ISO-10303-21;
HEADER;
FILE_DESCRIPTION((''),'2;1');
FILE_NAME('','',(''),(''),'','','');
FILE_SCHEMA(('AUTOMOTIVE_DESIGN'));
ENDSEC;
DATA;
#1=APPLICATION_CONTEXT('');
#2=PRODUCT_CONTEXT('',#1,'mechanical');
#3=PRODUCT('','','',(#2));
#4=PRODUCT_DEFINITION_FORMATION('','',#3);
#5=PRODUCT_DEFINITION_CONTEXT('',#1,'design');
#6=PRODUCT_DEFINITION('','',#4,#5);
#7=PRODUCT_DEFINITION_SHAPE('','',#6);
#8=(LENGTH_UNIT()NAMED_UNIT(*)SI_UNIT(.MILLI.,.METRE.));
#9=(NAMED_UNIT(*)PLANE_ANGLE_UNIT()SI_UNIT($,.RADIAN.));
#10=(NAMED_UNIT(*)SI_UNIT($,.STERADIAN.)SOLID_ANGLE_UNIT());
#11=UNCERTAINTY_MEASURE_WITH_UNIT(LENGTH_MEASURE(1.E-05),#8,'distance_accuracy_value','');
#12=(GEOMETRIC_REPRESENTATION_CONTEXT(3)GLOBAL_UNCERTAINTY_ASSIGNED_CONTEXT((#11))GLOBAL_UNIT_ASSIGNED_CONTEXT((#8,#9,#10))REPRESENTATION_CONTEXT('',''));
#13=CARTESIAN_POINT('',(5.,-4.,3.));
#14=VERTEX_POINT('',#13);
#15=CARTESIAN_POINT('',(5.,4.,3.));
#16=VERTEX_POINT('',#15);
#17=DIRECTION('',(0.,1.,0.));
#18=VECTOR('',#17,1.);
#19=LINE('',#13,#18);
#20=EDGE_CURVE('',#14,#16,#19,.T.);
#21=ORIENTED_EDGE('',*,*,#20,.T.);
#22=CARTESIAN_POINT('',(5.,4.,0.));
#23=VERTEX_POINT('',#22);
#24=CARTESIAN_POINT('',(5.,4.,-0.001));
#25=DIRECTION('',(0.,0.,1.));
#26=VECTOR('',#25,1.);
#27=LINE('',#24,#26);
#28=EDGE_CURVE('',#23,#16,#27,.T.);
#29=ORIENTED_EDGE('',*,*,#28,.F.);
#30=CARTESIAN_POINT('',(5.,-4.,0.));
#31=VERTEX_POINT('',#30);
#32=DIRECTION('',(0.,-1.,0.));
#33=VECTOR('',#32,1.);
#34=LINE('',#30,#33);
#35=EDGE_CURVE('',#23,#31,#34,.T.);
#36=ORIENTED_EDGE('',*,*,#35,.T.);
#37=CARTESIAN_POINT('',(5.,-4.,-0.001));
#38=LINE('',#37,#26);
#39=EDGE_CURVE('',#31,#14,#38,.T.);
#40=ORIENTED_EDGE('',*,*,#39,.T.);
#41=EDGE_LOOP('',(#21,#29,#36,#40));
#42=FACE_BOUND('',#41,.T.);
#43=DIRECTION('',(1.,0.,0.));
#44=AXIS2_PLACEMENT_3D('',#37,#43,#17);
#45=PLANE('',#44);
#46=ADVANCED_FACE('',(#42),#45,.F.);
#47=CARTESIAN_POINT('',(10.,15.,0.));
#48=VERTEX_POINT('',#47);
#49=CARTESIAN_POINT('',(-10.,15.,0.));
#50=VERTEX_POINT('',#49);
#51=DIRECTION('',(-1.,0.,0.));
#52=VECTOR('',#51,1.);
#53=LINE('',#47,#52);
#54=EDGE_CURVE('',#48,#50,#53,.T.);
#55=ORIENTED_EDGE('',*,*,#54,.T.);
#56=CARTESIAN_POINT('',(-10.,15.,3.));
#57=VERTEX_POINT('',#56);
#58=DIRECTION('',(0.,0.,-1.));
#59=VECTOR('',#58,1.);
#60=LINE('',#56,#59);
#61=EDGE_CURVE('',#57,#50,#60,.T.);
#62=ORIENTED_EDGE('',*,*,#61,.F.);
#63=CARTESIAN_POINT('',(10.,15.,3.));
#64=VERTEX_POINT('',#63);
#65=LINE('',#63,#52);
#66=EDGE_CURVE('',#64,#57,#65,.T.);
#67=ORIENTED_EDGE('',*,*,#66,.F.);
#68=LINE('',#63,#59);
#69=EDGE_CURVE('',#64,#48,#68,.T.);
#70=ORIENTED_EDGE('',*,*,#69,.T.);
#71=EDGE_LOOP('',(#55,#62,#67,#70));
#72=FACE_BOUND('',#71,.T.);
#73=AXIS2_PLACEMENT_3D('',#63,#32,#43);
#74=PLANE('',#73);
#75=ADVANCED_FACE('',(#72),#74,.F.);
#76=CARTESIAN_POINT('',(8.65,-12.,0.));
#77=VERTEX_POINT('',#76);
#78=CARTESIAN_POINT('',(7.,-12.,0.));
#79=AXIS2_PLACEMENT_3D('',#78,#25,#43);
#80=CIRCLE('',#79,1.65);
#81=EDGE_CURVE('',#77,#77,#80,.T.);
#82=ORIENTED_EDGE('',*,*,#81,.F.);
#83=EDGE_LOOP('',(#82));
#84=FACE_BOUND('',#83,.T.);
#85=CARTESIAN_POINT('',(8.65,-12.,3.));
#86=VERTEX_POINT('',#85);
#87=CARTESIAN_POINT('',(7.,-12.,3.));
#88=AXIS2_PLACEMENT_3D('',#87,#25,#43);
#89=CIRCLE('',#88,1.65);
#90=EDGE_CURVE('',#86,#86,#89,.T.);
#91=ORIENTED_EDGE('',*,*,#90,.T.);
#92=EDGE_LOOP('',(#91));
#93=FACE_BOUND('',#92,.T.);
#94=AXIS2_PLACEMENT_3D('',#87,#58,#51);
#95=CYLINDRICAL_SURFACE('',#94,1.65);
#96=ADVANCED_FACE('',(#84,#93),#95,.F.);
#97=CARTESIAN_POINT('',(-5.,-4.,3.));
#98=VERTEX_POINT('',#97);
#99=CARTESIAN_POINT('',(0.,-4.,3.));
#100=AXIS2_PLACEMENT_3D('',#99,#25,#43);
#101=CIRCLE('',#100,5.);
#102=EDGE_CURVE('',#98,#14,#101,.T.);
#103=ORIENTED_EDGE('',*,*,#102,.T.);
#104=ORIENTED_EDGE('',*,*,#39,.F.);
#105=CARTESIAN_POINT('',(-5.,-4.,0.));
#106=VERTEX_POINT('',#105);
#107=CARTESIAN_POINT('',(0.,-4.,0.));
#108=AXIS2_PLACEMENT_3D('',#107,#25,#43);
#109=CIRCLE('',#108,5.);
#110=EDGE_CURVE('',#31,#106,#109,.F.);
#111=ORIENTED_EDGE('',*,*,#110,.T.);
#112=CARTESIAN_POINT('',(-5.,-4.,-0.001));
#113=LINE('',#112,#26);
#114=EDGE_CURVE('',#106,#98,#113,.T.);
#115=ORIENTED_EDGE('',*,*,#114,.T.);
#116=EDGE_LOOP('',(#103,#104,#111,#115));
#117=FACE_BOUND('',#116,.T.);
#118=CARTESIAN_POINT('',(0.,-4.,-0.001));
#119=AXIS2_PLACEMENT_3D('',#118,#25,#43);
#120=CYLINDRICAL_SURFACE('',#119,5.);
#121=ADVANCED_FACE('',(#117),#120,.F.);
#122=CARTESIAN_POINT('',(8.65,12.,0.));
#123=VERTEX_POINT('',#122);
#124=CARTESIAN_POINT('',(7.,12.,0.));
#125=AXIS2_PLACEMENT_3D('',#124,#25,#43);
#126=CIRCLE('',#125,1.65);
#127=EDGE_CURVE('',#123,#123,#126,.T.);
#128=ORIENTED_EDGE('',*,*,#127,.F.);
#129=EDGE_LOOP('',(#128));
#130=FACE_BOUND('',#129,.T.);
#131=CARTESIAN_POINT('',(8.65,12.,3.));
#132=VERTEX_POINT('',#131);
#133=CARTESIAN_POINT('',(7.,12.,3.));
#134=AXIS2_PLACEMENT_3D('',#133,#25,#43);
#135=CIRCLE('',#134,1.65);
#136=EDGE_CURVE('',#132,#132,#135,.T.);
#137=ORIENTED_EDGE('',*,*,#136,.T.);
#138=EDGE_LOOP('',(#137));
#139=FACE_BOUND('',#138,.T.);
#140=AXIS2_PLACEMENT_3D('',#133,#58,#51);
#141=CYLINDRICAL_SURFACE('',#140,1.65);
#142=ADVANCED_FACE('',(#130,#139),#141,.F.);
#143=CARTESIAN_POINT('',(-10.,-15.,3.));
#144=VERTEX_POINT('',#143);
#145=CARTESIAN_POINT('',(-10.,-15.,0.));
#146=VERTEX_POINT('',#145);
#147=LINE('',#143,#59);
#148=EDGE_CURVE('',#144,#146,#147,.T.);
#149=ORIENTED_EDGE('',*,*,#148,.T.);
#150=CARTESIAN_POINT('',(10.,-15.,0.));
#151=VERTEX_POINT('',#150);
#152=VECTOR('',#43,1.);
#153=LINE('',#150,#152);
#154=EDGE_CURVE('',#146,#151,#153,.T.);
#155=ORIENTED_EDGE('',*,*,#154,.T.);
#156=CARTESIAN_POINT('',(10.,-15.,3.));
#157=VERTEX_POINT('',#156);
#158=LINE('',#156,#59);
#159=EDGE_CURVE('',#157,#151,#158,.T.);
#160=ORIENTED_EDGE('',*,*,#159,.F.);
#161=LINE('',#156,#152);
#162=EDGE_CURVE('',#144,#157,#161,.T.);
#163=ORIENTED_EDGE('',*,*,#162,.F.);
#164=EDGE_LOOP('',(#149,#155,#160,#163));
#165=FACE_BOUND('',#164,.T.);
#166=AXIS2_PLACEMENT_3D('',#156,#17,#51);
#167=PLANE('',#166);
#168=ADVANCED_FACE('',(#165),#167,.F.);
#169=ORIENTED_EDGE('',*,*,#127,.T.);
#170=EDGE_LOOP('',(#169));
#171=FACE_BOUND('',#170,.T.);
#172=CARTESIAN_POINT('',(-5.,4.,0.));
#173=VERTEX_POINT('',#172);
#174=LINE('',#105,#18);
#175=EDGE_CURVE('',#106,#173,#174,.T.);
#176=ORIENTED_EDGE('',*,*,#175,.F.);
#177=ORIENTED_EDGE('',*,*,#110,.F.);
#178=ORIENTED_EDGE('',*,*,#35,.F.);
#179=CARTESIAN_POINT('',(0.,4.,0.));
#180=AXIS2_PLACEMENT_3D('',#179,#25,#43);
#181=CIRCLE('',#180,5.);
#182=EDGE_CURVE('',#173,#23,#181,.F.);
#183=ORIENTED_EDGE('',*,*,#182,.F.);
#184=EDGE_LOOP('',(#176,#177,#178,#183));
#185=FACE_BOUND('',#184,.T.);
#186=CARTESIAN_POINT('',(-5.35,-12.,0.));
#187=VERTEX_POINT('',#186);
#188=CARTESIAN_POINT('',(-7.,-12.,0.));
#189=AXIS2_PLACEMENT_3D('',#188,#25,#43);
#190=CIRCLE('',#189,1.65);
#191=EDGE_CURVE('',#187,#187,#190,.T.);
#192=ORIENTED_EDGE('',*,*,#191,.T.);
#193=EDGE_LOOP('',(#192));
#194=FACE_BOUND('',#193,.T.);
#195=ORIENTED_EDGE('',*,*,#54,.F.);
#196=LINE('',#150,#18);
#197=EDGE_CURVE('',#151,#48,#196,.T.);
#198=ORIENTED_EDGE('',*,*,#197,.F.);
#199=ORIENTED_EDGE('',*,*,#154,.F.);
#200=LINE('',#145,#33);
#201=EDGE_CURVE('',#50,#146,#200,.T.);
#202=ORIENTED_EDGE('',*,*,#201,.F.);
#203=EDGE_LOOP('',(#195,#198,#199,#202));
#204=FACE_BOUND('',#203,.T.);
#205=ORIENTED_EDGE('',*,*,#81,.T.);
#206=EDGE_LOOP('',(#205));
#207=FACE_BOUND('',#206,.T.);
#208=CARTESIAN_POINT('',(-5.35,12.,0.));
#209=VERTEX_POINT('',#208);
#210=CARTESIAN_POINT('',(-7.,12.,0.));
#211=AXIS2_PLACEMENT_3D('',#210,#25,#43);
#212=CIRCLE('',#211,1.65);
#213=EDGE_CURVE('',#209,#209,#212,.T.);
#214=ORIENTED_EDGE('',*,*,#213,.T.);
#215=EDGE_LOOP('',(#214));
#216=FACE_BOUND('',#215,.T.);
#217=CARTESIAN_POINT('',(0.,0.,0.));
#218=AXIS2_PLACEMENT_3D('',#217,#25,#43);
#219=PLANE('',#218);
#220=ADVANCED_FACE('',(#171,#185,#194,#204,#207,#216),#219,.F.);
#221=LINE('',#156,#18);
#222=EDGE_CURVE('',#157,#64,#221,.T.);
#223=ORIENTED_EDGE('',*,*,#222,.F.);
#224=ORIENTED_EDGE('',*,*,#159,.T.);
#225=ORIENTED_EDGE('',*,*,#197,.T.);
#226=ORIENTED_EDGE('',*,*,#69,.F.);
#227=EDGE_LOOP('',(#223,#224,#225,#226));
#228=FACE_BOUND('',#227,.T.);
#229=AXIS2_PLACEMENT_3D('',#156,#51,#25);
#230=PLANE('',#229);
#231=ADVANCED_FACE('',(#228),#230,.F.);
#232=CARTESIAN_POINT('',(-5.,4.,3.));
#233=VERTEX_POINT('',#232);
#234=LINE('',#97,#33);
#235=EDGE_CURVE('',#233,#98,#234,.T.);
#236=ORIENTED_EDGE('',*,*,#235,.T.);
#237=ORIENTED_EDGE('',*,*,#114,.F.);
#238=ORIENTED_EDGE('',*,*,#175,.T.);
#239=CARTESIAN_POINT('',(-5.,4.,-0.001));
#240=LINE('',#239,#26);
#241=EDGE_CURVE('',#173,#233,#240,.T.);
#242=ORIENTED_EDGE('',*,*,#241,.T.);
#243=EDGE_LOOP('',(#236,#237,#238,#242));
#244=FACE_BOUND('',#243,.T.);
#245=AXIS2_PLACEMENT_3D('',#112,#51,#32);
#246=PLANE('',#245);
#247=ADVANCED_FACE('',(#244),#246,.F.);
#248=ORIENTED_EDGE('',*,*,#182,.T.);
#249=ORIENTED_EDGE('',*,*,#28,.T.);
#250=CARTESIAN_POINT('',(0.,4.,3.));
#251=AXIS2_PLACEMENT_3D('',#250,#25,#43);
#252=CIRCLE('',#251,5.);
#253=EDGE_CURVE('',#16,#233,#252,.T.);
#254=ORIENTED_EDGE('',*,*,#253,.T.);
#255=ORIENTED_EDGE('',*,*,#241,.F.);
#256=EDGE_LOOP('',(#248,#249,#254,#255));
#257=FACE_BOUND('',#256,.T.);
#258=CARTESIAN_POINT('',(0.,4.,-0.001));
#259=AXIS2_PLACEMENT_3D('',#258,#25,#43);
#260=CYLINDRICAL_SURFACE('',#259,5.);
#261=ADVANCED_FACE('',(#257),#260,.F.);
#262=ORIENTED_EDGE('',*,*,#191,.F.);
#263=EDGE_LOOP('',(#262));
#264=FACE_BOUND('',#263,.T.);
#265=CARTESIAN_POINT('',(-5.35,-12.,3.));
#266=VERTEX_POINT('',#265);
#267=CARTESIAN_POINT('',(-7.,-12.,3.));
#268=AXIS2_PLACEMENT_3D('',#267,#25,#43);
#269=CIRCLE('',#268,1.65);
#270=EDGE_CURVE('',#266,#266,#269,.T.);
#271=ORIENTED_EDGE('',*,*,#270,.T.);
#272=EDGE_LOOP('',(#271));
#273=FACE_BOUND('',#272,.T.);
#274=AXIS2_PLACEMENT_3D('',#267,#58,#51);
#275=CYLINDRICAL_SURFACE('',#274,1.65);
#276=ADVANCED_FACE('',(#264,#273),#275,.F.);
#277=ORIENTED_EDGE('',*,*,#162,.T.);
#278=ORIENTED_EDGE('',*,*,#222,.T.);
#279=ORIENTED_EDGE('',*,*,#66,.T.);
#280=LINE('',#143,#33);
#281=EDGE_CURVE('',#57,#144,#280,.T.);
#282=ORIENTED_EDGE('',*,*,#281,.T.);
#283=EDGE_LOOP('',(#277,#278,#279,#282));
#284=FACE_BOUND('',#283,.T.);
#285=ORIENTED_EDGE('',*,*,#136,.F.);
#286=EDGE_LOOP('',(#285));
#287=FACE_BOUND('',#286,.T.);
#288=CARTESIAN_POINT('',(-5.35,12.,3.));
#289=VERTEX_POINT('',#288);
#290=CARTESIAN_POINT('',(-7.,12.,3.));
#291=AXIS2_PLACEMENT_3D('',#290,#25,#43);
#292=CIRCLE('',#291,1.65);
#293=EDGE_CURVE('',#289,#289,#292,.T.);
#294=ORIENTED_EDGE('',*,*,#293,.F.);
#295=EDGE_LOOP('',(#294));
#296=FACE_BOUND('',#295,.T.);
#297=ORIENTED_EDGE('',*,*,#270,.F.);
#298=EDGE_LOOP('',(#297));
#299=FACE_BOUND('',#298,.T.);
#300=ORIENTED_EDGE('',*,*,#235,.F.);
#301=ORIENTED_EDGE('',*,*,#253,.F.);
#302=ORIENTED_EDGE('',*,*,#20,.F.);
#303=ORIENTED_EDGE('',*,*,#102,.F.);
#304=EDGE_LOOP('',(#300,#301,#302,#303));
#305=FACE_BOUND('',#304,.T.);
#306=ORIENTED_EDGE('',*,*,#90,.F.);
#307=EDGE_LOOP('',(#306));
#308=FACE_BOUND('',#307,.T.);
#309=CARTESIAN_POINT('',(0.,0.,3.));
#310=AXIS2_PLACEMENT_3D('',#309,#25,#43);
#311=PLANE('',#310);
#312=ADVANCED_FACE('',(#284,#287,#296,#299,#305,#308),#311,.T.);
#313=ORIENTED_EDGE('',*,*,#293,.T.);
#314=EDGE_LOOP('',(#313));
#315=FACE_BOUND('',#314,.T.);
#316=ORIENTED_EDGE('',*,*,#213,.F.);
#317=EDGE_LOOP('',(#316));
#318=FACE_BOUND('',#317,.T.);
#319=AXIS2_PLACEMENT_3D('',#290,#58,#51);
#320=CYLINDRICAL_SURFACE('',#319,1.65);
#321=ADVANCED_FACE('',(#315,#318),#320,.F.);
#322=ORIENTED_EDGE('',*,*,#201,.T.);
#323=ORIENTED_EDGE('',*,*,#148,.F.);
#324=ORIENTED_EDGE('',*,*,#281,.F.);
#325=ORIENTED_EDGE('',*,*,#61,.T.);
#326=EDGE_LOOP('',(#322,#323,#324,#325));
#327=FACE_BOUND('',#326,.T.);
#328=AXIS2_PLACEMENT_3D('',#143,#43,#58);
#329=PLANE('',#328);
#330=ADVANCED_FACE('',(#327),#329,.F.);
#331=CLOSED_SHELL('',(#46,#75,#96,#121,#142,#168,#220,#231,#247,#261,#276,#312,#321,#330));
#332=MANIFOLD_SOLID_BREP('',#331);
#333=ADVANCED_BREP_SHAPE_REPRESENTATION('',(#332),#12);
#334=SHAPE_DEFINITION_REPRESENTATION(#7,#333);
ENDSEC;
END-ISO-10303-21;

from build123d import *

# Parameters (mm, degrees)
CROQUIS1_W              = 20
CROQUIS1_H              = 30
CROQUIS1_R              = 1.65
SALIENTE_EXTRUIR1_DEPTH = 3
CORTAR_EXTRUIR1_REACH   = 5


with BuildPart() as part:
    # Croquis1 → Saliente-Extruir1 (new body)
    with BuildSketch(Plane.XY):
        Rectangle(CROQUIS1_W, CROQUIS1_H)
        with Locations((-7, 12)):
            Circle(CROQUIS1_R, mode=Mode.SUBTRACT)
        with Locations((7, 12)):
            Circle(CROQUIS1_R, mode=Mode.SUBTRACT)
        with Locations((7, -12)):
            Circle(CROQUIS1_R, mode=Mode.SUBTRACT)
        with Locations((-7, -12)):
            Circle(CROQUIS1_R, mode=Mode.SUBTRACT)
    extrude(amount=SALIENTE_EXTRUIR1_DEPTH)

    # Croquis2 → Cortar-Extruir1 (cut, up to next)
    with BuildSketch(Plane.XY.offset(3), mode=Mode.PRIVATE) as cortar_extruir1_sk1:
        with BuildLine():
            Line((-5, -4), (-5, 4))
            ThreePointArc((-5, 4), (0, 9), (5, 4))
            Line((5, 4), (5, -4))
            ThreePointArc((5, -4), (0, -9), (-5, -4))
        make_face()
    cortar_extruir1_tool1 = extrude(cortar_extruir1_sk1.sketch, amount=-CORTAR_EXTRUIR1_REACH, mode=Mode.PRIVATE) & part.part
    add(cortar_extruir1_tool1.solids().sort_by_distance((0, 0, 3))[0], mode=Mode.SUBTRACT)


solid = part.part
